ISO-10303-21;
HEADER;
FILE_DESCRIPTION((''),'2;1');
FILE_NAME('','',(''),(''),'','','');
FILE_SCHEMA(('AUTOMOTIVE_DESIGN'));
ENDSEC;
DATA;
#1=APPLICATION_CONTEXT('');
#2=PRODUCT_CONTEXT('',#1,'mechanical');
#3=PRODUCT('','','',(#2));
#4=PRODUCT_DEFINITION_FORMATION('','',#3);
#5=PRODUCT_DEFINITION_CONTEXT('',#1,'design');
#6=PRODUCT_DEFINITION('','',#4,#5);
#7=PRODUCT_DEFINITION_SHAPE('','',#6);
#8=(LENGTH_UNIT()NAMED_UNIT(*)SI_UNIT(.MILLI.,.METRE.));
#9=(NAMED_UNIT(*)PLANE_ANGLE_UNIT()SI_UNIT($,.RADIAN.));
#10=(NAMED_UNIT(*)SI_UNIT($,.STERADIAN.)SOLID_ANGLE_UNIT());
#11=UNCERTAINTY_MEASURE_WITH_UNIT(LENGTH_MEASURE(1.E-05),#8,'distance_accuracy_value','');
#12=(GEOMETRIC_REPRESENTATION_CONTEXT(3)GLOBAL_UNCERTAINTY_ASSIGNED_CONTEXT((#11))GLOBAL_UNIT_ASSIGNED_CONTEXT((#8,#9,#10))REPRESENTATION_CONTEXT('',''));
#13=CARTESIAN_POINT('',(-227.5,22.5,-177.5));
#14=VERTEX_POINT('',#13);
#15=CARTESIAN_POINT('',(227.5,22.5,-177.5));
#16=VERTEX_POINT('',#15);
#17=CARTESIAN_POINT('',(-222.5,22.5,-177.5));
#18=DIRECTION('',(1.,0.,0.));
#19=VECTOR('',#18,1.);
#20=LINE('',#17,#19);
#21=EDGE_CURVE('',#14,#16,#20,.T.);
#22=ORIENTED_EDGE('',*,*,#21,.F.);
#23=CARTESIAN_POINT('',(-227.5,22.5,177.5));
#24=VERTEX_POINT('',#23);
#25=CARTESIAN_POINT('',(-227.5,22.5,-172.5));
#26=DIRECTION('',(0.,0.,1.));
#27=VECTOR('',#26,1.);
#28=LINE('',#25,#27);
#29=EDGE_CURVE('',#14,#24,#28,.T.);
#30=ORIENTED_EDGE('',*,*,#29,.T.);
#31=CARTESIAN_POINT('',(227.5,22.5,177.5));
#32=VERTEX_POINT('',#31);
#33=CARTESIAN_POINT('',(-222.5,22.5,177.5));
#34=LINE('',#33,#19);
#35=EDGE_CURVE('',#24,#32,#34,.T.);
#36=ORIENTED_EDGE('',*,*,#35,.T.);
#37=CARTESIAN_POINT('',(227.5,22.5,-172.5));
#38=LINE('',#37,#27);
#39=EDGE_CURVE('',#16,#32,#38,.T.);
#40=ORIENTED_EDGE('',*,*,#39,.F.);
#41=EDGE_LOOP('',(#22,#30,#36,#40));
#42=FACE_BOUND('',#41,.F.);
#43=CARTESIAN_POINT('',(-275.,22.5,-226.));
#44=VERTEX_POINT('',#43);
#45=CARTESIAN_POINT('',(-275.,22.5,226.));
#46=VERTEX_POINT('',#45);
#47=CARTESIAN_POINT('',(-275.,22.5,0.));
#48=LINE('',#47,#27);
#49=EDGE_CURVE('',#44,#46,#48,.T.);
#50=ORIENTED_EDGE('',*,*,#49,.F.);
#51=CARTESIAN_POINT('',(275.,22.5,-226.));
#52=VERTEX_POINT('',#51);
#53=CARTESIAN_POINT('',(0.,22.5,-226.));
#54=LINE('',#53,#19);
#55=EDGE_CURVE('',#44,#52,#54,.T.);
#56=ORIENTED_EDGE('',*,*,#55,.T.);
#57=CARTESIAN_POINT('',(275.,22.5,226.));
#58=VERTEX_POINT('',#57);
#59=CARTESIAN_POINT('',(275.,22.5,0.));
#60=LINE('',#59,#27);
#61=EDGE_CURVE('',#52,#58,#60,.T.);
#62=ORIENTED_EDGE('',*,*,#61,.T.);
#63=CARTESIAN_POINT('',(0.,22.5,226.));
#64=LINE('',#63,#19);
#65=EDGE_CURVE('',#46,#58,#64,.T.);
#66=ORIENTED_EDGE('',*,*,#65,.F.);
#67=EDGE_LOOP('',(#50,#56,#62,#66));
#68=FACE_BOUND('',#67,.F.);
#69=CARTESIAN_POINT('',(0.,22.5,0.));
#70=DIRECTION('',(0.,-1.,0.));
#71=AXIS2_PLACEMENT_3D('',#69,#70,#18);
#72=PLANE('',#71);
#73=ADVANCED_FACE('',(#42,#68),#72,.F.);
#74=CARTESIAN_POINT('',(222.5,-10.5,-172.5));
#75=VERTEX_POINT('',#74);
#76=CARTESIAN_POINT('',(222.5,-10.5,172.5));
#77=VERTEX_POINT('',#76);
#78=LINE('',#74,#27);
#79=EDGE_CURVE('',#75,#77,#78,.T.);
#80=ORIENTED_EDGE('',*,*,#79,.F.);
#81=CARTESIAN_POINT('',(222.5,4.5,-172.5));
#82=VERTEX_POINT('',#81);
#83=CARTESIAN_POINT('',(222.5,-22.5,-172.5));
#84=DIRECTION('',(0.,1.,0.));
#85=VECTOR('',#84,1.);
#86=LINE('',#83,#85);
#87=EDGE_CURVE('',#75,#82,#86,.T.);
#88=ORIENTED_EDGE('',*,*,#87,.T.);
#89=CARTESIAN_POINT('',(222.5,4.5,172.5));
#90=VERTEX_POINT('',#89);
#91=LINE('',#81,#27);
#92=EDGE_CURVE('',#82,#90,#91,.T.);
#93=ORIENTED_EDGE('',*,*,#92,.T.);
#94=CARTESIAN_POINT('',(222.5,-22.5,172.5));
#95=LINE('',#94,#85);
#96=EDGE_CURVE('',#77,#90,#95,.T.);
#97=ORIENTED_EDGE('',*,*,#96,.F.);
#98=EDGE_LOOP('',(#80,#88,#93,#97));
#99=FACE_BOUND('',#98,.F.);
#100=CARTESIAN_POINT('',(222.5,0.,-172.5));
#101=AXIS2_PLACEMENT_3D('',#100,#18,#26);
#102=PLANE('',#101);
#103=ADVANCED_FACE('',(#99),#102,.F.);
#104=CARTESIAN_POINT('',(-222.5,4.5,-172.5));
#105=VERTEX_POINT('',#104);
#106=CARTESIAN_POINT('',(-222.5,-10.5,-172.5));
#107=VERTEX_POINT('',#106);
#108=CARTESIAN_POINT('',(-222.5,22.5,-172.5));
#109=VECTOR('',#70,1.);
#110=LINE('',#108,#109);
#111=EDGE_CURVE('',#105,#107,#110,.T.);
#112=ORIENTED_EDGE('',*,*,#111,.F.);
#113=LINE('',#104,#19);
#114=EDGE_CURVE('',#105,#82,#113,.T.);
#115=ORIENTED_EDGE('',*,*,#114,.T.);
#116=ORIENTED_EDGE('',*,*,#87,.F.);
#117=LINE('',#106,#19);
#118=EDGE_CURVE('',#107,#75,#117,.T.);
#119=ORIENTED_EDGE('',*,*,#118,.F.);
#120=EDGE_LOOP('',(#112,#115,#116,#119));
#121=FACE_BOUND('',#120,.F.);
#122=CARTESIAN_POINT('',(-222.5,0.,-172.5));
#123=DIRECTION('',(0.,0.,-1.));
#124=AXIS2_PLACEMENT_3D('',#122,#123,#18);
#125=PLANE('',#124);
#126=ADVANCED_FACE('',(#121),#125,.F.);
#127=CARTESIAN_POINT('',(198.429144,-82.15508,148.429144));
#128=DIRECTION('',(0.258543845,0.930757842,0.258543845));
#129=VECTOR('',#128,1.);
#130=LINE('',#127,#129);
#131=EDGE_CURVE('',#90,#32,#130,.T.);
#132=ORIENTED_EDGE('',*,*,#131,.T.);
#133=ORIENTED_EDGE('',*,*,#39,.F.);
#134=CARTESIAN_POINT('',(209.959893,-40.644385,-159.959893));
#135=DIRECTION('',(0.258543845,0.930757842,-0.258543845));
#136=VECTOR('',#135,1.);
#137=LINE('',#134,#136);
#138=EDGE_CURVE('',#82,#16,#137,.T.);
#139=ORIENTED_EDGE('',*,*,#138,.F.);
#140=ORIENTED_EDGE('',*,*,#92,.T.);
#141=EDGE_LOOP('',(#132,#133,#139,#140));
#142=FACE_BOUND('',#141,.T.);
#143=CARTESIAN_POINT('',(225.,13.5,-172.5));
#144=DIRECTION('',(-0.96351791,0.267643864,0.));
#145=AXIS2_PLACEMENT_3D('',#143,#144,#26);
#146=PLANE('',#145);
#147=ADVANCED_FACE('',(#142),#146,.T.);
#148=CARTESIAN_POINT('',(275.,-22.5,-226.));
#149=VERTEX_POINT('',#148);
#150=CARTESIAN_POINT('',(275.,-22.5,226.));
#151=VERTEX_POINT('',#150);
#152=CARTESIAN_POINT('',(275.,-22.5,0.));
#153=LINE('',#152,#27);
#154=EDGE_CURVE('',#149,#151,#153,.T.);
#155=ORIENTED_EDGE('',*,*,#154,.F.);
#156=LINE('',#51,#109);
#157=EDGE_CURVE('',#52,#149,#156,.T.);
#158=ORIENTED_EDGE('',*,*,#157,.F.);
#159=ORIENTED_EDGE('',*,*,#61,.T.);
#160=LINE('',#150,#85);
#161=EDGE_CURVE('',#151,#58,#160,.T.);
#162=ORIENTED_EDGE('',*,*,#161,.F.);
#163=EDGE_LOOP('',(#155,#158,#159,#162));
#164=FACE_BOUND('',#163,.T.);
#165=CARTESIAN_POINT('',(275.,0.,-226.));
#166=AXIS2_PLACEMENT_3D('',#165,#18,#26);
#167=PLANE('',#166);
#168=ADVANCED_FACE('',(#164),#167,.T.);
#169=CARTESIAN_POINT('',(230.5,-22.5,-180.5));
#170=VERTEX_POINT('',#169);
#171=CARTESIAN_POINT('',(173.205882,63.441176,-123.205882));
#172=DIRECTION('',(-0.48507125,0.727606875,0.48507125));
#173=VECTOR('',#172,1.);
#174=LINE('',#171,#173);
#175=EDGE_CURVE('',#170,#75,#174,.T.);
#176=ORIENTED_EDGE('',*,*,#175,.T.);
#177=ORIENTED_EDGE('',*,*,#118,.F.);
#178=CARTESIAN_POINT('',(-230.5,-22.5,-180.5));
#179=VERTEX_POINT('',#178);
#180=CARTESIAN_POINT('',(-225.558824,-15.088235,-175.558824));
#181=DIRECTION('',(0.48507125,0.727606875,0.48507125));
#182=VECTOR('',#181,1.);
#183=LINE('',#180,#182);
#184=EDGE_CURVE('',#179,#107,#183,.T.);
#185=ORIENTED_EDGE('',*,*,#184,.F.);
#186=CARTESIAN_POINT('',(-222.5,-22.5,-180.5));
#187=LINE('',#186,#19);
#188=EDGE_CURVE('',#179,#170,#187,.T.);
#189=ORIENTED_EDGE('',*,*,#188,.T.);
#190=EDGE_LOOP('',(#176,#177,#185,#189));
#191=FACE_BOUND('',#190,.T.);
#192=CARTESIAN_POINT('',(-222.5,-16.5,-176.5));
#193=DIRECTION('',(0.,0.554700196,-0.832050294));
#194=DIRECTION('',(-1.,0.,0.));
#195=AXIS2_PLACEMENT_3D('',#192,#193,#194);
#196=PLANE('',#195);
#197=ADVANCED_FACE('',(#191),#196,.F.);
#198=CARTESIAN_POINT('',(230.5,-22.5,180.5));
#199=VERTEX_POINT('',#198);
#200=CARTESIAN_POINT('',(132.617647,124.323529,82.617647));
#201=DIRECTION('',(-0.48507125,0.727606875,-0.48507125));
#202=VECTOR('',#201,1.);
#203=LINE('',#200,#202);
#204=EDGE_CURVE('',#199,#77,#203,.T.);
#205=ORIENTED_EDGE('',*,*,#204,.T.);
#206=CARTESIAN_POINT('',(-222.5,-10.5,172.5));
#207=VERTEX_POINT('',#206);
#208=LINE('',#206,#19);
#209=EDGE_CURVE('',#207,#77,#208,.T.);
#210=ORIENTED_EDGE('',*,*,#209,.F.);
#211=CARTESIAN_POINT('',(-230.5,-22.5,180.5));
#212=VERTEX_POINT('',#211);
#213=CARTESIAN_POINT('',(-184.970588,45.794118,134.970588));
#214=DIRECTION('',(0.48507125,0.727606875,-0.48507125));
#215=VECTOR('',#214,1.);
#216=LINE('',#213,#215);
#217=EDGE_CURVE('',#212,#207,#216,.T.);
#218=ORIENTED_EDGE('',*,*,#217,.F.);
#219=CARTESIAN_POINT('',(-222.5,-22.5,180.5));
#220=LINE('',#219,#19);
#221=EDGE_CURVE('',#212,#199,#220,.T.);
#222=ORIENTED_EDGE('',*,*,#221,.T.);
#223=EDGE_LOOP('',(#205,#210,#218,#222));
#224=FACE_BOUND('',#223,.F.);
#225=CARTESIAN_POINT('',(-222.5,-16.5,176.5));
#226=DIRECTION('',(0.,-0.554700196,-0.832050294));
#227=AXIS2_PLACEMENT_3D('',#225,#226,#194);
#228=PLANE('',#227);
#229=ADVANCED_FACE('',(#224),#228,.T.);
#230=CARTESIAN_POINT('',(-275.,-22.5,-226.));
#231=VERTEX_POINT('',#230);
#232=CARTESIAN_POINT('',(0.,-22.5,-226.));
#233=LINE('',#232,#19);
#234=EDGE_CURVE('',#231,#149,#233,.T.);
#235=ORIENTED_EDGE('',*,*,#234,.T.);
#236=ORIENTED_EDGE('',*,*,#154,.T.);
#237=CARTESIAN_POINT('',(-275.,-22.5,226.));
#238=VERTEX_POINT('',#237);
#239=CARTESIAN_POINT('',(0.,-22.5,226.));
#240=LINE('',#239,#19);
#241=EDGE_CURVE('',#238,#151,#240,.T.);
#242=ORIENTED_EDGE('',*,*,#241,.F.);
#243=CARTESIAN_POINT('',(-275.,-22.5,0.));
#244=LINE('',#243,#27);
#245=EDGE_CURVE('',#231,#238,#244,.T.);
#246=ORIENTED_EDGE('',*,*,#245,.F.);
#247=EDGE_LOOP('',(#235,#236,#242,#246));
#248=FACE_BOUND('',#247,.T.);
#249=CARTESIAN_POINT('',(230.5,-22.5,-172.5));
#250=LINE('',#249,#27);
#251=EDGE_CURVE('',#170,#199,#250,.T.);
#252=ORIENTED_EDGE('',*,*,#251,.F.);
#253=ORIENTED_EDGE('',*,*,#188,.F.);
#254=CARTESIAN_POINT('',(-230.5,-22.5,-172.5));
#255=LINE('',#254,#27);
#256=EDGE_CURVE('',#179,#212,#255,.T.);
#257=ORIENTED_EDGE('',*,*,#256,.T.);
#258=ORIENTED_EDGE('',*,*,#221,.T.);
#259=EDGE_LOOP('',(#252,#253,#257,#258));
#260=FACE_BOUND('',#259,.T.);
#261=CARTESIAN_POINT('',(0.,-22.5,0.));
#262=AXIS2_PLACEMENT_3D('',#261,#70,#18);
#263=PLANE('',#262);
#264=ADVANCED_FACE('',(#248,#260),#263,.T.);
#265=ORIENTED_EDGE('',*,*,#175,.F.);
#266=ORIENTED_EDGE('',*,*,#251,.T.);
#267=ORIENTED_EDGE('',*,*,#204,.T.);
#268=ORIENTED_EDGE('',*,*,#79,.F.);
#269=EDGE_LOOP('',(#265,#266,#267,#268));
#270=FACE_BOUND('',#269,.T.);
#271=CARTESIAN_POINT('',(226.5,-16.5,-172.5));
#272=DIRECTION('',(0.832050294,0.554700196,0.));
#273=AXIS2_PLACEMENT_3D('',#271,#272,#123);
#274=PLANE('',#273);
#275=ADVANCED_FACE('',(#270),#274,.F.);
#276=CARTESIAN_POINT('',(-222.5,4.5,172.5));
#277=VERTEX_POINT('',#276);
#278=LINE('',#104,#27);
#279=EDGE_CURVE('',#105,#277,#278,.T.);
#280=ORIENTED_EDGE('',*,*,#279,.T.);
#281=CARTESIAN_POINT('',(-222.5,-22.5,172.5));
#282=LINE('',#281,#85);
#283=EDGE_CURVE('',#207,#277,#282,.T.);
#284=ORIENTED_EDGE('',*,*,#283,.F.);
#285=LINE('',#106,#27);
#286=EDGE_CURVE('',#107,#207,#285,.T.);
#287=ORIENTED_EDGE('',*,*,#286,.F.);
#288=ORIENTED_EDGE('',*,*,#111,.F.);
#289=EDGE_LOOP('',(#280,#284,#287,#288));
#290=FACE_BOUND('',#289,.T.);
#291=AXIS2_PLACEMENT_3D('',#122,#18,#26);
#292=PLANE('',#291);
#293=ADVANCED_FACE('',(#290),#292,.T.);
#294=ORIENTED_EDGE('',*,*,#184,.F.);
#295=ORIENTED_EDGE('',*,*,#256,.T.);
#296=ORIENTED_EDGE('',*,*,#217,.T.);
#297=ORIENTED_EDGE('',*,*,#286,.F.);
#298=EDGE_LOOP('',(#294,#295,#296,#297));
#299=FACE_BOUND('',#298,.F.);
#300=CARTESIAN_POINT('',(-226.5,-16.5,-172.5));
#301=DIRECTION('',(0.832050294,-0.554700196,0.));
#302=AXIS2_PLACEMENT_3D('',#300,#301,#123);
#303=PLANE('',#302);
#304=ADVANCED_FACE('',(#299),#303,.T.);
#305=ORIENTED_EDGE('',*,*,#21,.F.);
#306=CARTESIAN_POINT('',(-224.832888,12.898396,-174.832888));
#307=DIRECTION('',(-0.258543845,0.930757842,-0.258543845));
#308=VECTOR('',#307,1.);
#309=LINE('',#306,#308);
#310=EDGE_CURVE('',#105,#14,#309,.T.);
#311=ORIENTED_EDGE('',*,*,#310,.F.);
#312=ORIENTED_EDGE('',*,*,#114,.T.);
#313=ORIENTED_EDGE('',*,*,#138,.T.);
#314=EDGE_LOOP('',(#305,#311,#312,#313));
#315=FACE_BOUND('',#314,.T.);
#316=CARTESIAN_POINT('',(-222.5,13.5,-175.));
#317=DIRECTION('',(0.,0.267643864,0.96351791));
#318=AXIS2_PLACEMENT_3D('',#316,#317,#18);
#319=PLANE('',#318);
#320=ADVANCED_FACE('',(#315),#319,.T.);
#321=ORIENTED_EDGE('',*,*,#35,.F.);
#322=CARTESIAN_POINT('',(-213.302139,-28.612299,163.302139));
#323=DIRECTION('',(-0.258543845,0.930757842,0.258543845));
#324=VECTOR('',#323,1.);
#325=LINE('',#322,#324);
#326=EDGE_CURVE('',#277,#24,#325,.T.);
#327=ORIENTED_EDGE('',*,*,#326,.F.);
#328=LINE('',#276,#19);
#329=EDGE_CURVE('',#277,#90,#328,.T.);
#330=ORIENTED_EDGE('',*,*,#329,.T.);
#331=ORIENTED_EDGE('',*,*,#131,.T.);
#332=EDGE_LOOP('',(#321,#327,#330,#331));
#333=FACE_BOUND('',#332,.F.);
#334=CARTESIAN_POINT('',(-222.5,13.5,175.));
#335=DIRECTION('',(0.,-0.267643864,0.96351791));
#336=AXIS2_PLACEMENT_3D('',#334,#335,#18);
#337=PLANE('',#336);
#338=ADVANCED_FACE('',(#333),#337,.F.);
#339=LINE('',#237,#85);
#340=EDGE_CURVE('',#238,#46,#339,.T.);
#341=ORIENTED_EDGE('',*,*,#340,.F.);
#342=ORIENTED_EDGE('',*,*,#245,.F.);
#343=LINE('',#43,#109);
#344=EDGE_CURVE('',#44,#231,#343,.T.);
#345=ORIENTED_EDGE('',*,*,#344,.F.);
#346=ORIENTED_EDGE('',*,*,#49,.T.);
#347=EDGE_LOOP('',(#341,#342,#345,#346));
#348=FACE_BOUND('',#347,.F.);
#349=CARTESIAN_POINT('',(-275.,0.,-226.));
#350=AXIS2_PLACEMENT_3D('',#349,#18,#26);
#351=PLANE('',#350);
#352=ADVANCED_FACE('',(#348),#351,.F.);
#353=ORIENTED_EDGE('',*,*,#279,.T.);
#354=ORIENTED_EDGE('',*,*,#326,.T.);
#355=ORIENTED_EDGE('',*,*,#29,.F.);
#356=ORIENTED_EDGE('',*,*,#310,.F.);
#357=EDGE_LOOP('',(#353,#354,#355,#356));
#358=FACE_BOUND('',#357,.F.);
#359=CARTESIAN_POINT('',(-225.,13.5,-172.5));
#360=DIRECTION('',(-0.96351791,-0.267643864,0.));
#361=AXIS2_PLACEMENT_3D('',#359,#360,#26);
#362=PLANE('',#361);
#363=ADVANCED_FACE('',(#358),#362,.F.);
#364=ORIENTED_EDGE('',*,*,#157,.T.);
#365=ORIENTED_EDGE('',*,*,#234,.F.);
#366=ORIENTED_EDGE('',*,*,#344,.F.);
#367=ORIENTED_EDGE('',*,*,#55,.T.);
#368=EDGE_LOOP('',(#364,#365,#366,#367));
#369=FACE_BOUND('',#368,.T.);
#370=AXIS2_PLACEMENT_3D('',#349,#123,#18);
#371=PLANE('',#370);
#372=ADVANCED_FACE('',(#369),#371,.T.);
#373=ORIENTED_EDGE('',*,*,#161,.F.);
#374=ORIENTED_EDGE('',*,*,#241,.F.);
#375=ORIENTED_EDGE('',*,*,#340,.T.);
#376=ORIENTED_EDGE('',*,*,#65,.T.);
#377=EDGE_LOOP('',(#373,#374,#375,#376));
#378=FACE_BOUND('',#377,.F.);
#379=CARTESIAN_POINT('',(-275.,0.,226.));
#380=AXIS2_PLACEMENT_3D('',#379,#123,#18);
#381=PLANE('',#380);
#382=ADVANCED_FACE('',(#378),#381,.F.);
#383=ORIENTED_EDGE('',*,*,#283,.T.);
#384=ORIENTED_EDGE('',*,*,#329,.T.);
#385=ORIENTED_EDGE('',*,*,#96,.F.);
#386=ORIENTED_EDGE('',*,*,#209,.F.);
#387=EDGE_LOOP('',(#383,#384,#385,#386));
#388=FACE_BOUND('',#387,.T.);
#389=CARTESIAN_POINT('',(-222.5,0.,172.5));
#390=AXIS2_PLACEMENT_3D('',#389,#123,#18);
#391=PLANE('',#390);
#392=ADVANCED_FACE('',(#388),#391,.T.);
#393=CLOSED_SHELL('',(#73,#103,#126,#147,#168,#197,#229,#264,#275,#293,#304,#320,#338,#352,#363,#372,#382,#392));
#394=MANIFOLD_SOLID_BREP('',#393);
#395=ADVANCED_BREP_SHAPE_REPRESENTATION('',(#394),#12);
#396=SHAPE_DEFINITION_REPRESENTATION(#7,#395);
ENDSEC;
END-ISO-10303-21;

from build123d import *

# Parameters (mm, degrees)
F0_W     = 550
F0_H     = 452
F0_W_2   = 445
F0_H_2   = 345
F1_DEPTH = 22.5
F2_SIZE2 = 5
F2_SIZE  = 18
F3_SIZE2 = 12
F3_SIZE  = 8


with BuildPart() as f1:
    # F0 (on Front) → F1 (new body, symmetric)
    with BuildSketch(Plane.XZ):
        Rectangle(F0_W, F0_H)
        Rectangle(F0_W_2, F0_H_2, mode=Mode.SUBTRACT)
    extrude(amount=F1_DEPTH, both=True)

    # F2
    f2_edges = [f1.edges().sort_by_distance(p)[0] for p in [
        (0, 22.5, -172.5),
        (222.5, 22.5, 0),
        (-222.5, 22.5, 0),
        (0, 22.5, 172.5),
    ]]
    chamfer(f2_edges, length=F2_SIZE, length2=F2_SIZE2)

    # F3
    f3_edges = [f1.edges().sort_by_distance(p)[0] for p in [
        (0, -22.5, -172.5),
        (-222.5, -22.5, 0),
        (222.5, -22.5, 0),
        (0, -22.5, 172.5),
    ]]
    f3_side = f1.faces().sort_by_distance((0, -22.5, 218.880983))[0]
    chamfer(f3_edges, length=F3_SIZE, length2=F3_SIZE2, reference=f3_side)


solid = f1.part
